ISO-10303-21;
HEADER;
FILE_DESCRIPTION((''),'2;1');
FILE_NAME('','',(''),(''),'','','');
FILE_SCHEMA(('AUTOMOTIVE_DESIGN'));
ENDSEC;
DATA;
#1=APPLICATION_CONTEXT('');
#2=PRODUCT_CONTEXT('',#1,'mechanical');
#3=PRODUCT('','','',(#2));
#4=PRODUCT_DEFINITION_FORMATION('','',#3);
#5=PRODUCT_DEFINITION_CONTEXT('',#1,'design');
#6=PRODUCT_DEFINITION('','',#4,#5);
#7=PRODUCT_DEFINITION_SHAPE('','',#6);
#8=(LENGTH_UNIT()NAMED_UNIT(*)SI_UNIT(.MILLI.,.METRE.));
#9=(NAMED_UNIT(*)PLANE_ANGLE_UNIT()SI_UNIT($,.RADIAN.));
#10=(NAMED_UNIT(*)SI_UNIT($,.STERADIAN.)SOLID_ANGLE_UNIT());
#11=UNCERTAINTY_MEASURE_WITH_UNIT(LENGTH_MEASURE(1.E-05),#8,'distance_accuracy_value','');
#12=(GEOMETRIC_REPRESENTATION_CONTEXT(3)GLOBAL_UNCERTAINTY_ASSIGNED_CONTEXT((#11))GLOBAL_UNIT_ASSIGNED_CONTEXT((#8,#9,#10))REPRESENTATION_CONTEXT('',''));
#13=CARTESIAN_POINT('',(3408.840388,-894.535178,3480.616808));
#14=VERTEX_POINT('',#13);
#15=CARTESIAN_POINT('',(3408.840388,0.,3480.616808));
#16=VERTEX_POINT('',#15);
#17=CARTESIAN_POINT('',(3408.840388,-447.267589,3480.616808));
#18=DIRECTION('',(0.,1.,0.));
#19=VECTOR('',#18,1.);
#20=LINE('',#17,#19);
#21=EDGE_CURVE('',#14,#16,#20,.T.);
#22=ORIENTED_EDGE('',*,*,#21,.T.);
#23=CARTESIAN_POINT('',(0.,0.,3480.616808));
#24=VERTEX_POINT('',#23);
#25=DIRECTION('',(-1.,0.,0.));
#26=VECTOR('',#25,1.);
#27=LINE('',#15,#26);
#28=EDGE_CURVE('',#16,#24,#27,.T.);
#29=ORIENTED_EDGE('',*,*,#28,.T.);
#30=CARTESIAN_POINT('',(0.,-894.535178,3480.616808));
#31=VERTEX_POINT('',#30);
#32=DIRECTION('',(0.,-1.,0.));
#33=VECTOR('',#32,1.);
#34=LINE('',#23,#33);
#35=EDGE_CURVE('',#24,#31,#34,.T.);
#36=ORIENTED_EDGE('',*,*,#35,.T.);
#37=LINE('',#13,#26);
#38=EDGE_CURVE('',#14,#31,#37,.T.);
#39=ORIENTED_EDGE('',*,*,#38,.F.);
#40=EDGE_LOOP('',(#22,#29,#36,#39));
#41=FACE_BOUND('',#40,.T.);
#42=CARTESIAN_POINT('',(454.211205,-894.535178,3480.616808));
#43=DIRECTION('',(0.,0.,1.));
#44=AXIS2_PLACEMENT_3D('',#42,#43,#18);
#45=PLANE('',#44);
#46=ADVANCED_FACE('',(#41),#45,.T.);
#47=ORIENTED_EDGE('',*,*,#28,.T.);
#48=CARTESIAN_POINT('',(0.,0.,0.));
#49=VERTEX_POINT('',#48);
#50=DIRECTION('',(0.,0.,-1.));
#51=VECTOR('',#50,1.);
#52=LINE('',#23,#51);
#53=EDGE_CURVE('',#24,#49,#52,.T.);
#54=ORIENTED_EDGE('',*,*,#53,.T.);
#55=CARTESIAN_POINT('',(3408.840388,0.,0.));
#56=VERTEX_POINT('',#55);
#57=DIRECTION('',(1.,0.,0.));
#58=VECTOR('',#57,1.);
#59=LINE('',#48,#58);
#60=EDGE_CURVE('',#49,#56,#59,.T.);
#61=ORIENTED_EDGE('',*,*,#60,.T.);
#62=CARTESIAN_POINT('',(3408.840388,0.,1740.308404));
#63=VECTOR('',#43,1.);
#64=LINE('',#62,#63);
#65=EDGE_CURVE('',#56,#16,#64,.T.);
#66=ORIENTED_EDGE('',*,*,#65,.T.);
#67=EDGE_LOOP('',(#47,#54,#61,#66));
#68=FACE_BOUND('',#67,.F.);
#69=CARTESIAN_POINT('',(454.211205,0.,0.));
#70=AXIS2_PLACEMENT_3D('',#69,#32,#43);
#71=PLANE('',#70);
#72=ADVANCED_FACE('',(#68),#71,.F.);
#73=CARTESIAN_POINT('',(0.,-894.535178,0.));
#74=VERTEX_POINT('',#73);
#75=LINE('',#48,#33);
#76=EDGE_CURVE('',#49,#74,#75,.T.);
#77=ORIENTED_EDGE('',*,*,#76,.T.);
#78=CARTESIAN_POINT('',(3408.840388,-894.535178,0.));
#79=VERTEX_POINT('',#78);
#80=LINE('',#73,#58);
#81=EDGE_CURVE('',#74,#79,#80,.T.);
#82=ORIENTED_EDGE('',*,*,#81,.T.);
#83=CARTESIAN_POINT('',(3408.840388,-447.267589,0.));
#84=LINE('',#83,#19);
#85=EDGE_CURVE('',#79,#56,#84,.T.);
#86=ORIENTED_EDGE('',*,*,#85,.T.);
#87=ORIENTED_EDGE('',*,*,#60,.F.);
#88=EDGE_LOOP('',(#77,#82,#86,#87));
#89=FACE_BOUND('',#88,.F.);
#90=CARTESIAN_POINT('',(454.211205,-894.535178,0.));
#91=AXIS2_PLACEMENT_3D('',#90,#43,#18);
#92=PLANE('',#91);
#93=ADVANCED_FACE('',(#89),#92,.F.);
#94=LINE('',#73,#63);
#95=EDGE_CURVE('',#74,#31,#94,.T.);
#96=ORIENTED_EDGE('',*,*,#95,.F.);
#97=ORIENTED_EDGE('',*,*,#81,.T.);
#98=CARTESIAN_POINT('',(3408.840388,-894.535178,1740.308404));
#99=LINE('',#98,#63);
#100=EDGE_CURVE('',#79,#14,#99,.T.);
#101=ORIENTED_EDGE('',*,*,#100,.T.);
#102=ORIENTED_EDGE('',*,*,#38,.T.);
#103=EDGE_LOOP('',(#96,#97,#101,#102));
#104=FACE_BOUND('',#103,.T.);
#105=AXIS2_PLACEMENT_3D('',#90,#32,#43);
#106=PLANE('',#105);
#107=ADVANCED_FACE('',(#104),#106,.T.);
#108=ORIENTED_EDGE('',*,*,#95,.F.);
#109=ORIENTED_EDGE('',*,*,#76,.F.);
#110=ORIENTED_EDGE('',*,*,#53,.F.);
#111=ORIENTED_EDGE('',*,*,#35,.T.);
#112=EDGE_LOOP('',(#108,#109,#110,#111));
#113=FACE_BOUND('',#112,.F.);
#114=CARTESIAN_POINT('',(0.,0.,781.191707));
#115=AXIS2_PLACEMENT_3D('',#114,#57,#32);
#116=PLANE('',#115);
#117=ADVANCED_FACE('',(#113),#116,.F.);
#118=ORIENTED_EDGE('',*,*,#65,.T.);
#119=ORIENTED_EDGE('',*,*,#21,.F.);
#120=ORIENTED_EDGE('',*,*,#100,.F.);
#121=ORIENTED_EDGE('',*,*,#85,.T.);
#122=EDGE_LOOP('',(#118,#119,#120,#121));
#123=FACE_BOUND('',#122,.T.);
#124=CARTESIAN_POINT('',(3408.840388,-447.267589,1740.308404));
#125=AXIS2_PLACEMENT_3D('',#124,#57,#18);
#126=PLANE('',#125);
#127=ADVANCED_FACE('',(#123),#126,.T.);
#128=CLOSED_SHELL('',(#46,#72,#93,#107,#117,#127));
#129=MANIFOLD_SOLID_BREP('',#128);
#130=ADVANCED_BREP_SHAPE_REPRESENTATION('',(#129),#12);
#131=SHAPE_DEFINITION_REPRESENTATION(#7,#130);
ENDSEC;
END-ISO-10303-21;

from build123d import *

# Parameters (mm, degrees)
F1_W     = 454.2112052441
F1_H     = 781.1917066574
F2_DEPTH = 894.5351783186
F3_DEPTH = 2699.4251012802
F4_W     = 894.5351783186
F4_H     = 3480.6168079376
F5_DEPTH = 2954.6291828156


with BuildPart() as f2:
    # F1 (on face) → F2 (new body)
    with BuildSketch(Plane.XZ):
        with Locations((227.105602622, 390.5958533287)):
            Rectangle(F1_W, F1_H)
    extrude(amount=F2_DEPTH)

    # F3 (add): a face of the model
    f3_faces = [f2.faces().sort_by_distance(p)[0] for p in [
        (227.105602622, -447.2675891593, 781.1917066574),
    ]]
    extrude(f3_faces, amount=F3_DEPTH)

    # F4 (on face) → F5 (join)
    with BuildSketch(Plane.YZ.offset(454.2112052441)):
        with Locations((-447.2675891593, 1740.3084039688)):
            Rectangle(F4_W, F4_H)
    extrude(amount=F5_DEPTH)


solid = f2.part
